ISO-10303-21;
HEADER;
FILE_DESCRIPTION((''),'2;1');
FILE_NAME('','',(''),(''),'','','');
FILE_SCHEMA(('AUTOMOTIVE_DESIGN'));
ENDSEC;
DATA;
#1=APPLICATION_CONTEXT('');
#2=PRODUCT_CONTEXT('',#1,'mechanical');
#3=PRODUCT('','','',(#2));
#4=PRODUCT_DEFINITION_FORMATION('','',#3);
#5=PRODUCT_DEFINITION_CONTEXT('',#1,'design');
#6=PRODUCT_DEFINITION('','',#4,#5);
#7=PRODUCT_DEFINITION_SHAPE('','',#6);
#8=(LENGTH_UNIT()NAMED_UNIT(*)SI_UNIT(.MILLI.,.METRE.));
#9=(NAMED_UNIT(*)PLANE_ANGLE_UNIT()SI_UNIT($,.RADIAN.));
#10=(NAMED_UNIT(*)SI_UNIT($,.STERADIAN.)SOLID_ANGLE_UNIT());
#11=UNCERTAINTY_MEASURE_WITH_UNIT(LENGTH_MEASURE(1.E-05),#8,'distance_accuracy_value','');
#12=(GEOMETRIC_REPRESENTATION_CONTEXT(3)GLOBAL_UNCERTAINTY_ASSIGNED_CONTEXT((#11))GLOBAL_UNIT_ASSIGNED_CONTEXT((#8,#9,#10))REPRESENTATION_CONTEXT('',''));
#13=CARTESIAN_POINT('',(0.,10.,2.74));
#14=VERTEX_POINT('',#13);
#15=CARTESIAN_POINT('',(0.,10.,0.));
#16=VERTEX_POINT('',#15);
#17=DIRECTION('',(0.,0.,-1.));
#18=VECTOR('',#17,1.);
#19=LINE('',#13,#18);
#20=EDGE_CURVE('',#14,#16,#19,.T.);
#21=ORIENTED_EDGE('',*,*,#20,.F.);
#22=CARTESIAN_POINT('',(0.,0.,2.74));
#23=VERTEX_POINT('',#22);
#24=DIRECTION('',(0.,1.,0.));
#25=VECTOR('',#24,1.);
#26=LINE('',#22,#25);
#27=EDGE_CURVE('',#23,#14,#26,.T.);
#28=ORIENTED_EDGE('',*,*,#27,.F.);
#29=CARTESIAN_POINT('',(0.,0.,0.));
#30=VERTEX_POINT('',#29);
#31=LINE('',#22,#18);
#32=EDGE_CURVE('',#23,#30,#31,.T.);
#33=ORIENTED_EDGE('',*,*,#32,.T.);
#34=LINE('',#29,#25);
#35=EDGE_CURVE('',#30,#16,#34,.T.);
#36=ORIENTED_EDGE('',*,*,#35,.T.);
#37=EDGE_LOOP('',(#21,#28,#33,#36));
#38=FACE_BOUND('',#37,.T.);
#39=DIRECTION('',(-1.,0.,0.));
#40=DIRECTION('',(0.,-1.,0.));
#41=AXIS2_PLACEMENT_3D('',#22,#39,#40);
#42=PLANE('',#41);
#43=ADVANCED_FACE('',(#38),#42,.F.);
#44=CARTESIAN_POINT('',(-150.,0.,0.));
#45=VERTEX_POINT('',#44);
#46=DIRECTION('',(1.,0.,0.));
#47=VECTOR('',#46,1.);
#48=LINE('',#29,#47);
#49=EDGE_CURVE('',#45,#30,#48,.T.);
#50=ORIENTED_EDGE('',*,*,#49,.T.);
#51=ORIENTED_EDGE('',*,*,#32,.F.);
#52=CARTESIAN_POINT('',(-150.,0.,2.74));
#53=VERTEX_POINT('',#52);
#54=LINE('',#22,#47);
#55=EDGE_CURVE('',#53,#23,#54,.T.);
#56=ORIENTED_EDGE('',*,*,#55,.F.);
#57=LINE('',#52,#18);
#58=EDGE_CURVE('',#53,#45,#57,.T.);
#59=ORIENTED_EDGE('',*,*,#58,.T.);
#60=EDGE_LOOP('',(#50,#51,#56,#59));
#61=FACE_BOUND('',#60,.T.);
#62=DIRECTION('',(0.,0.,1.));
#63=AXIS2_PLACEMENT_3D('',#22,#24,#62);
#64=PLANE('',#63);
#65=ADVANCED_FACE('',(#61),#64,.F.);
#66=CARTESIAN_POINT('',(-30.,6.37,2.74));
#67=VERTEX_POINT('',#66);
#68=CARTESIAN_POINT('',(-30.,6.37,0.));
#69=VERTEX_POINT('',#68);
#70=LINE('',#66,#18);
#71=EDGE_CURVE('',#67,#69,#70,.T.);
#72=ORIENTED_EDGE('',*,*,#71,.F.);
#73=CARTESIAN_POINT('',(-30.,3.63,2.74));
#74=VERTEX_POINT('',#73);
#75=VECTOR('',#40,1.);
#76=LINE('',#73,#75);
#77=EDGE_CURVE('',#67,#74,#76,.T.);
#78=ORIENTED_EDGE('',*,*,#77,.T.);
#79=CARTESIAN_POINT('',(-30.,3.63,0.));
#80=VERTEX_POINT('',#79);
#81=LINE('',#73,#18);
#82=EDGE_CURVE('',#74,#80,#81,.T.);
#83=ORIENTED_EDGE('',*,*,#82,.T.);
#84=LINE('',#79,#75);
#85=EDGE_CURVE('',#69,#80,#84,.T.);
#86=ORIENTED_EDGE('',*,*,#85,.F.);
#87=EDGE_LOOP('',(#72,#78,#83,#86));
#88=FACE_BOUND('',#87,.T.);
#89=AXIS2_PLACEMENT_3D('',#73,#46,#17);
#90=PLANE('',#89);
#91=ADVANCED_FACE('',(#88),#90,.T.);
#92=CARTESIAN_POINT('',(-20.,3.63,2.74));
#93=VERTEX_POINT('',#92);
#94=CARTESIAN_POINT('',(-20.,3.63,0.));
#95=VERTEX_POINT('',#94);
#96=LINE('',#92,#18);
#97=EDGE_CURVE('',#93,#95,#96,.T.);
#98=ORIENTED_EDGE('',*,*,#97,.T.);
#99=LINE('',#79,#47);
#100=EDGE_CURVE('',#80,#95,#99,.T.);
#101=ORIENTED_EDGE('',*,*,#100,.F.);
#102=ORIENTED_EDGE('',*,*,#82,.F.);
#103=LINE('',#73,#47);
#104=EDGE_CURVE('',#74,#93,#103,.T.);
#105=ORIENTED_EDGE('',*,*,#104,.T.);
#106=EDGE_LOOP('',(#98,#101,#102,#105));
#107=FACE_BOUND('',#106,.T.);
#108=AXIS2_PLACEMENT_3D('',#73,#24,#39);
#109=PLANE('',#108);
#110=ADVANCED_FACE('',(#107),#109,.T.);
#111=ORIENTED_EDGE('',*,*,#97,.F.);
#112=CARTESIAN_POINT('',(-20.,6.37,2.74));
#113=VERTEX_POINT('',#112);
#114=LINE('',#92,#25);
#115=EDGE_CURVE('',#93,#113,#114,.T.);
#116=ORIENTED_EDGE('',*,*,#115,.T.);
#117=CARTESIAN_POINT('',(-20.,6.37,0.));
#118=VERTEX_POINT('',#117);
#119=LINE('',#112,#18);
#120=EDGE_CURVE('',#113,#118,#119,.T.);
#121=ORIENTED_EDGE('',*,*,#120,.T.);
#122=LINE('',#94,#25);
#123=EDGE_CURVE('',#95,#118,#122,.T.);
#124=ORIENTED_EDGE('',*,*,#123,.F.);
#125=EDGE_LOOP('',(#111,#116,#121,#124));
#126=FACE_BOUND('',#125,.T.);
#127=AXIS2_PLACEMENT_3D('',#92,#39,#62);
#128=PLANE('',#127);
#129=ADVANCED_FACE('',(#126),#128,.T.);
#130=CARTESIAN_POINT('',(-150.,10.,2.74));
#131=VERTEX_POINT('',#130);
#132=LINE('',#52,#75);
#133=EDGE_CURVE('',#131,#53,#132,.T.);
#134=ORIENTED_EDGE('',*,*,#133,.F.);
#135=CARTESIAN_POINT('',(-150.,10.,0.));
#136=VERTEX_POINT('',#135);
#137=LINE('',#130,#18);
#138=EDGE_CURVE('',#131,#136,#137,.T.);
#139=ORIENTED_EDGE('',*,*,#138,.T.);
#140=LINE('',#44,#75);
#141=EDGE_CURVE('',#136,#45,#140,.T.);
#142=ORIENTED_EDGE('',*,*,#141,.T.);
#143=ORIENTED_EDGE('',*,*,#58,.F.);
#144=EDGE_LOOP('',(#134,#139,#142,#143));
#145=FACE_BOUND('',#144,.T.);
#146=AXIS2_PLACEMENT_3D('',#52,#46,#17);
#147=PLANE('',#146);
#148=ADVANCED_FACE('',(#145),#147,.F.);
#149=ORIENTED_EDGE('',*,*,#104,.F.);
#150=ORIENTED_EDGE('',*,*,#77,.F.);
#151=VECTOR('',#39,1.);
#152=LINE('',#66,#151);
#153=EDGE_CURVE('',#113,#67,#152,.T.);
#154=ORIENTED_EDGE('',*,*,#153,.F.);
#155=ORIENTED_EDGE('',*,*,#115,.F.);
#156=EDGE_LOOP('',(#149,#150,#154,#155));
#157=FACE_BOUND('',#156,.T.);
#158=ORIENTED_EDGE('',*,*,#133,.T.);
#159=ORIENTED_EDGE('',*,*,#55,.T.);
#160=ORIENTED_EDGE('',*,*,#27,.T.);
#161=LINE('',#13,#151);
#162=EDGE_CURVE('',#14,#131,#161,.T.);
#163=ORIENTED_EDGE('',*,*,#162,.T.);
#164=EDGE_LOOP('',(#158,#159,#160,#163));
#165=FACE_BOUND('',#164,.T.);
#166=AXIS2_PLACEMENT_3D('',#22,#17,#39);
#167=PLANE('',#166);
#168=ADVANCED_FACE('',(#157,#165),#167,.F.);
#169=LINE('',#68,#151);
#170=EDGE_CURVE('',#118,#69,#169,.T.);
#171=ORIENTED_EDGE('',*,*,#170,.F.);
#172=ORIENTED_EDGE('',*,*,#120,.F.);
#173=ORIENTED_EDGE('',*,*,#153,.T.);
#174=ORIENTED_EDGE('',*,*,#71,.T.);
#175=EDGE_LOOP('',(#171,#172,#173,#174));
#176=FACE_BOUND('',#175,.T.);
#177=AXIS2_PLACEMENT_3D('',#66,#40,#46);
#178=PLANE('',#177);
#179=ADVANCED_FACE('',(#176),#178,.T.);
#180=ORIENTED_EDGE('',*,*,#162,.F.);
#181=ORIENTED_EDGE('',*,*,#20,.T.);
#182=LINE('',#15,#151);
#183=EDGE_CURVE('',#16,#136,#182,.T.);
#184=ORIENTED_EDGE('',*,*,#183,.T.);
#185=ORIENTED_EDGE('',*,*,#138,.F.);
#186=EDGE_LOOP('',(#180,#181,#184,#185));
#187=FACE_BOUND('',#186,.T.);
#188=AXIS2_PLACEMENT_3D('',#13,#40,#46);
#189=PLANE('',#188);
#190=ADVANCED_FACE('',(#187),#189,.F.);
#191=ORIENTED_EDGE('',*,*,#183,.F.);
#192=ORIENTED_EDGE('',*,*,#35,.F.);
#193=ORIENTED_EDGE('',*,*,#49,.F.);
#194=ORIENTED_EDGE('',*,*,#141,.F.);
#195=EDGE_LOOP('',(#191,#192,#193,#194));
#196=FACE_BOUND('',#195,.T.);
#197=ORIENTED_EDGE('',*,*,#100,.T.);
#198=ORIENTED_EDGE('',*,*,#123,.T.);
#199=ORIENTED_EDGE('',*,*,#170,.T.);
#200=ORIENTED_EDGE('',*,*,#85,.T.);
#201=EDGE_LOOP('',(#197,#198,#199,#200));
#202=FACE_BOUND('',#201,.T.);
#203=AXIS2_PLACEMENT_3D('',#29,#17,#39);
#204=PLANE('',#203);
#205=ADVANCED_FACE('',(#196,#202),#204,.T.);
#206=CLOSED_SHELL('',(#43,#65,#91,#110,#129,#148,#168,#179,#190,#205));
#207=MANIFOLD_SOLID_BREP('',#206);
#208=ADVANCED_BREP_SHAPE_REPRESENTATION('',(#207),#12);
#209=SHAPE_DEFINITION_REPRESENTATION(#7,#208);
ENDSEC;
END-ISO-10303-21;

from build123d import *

# Parameters (mm, degrees)
SKETCH1_W           = 10
SKETCH1_H           = 150
SKETCH1_W_2         = 2.74
SKETCH1_H_2         = 10
BOSS_EXTRUDE1_DEPTH = 2.74


with BuildPart() as part:
    # Sketch1 → Boss-Extrude1 (new body)
    with BuildSketch(Plane(origin=(0, 0, 0), x_dir=(0, 1, 0), z_dir=(0, 0, 1))):
        with Locations((5, 75)):
            Rectangle(SKETCH1_W, SKETCH1_H)
        with Locations((5, 25)):
            Rectangle(SKETCH1_W_2, SKETCH1_H_2, mode=Mode.SUBTRACT)
    extrude(amount=BOSS_EXTRUDE1_DEPTH)


solid = part.part
